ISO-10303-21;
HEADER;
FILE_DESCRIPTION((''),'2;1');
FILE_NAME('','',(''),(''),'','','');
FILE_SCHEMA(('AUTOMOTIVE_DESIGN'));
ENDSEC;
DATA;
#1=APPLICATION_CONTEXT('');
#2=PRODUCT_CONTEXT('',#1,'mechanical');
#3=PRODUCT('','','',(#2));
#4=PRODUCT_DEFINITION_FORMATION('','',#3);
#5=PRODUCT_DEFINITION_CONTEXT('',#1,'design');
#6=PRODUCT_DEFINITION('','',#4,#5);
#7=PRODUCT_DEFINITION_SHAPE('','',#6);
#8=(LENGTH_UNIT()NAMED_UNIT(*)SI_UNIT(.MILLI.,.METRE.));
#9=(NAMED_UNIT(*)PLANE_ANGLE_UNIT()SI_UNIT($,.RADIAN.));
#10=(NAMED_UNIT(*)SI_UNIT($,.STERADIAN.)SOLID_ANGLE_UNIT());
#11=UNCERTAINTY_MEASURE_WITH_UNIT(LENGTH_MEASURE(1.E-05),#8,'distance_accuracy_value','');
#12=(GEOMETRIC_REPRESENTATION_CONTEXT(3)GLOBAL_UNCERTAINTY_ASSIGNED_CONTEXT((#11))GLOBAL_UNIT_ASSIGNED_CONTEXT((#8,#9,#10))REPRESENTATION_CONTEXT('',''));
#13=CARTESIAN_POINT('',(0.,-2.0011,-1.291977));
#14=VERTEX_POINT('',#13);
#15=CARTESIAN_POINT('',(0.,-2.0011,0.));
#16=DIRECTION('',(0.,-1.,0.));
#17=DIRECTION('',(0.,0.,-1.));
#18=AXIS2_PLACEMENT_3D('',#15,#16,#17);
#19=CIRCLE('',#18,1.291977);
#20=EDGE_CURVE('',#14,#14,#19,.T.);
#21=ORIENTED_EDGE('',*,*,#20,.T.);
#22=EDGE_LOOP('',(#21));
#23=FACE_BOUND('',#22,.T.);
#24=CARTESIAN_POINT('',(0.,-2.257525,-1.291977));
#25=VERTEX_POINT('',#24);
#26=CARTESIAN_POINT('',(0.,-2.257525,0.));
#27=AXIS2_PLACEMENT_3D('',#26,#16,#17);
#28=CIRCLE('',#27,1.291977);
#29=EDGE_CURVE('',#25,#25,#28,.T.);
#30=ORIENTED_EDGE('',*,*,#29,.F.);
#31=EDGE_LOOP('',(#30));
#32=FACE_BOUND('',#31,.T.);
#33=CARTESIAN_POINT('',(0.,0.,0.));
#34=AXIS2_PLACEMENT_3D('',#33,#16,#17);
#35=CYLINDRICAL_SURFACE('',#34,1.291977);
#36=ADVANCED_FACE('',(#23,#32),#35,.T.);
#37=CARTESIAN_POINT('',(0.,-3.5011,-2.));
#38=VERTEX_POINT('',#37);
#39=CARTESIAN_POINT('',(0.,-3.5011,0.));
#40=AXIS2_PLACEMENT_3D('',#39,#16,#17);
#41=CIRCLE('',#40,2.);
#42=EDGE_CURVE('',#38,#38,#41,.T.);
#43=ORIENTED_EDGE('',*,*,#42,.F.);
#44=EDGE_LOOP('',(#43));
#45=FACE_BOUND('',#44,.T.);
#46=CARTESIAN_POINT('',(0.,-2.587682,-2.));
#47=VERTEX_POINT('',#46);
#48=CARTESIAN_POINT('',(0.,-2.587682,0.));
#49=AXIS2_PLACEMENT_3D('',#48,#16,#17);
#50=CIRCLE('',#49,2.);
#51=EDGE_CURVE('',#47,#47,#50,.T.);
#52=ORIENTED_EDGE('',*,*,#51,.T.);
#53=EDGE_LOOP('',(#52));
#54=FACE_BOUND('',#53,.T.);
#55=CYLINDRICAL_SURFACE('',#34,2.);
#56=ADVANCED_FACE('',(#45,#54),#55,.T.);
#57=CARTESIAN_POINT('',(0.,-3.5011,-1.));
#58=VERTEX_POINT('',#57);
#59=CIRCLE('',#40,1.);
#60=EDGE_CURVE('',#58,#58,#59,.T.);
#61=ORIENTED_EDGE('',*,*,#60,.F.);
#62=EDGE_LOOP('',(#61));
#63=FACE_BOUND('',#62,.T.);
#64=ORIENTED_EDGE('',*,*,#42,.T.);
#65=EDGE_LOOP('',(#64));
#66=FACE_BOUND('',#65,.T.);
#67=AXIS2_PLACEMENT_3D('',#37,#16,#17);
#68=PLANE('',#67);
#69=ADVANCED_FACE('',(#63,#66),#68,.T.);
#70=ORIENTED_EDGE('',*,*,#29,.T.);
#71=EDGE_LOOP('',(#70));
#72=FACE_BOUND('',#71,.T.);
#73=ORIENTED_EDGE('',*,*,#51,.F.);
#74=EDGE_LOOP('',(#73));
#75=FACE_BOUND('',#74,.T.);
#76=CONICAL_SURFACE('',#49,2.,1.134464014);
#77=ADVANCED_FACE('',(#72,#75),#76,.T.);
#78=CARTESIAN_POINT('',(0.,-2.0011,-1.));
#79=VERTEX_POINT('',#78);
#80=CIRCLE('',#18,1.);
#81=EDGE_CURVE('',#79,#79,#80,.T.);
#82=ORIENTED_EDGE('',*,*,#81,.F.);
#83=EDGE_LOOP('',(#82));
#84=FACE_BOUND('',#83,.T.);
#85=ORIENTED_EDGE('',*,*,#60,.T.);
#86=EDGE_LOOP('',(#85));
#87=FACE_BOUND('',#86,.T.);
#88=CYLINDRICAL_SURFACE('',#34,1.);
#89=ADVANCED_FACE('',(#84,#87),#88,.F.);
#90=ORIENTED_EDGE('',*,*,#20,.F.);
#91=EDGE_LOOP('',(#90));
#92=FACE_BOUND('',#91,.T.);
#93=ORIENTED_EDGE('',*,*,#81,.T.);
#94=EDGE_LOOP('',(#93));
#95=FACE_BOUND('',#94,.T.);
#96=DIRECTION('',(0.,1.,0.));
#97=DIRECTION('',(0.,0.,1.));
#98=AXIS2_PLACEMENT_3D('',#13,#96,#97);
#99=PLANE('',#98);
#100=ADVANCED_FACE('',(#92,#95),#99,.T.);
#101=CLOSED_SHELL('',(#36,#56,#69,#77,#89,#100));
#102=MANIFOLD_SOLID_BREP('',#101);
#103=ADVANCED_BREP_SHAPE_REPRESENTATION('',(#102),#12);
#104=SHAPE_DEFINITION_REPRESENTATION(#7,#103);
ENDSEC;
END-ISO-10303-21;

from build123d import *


with BuildPart() as part:
    # Sketch1 → Revolve1 (revolve)
    with BuildSketch(Plane(origin=(0, 0, 0), x_dir=(0, 0, -1), z_dir=(1, 0, 0))):
        Polygon((1.291976655, -2.257525487), (2, -2.587682195), (2, -3.501099698), (1, -3.501099698), (1, -2.257525487), (1, -2.001099698), (1.291976655, -2.001099698), align=None)
    revolve(axis=Axis((0, 0, 0), (0, 1, 0)))


solid = part.part
